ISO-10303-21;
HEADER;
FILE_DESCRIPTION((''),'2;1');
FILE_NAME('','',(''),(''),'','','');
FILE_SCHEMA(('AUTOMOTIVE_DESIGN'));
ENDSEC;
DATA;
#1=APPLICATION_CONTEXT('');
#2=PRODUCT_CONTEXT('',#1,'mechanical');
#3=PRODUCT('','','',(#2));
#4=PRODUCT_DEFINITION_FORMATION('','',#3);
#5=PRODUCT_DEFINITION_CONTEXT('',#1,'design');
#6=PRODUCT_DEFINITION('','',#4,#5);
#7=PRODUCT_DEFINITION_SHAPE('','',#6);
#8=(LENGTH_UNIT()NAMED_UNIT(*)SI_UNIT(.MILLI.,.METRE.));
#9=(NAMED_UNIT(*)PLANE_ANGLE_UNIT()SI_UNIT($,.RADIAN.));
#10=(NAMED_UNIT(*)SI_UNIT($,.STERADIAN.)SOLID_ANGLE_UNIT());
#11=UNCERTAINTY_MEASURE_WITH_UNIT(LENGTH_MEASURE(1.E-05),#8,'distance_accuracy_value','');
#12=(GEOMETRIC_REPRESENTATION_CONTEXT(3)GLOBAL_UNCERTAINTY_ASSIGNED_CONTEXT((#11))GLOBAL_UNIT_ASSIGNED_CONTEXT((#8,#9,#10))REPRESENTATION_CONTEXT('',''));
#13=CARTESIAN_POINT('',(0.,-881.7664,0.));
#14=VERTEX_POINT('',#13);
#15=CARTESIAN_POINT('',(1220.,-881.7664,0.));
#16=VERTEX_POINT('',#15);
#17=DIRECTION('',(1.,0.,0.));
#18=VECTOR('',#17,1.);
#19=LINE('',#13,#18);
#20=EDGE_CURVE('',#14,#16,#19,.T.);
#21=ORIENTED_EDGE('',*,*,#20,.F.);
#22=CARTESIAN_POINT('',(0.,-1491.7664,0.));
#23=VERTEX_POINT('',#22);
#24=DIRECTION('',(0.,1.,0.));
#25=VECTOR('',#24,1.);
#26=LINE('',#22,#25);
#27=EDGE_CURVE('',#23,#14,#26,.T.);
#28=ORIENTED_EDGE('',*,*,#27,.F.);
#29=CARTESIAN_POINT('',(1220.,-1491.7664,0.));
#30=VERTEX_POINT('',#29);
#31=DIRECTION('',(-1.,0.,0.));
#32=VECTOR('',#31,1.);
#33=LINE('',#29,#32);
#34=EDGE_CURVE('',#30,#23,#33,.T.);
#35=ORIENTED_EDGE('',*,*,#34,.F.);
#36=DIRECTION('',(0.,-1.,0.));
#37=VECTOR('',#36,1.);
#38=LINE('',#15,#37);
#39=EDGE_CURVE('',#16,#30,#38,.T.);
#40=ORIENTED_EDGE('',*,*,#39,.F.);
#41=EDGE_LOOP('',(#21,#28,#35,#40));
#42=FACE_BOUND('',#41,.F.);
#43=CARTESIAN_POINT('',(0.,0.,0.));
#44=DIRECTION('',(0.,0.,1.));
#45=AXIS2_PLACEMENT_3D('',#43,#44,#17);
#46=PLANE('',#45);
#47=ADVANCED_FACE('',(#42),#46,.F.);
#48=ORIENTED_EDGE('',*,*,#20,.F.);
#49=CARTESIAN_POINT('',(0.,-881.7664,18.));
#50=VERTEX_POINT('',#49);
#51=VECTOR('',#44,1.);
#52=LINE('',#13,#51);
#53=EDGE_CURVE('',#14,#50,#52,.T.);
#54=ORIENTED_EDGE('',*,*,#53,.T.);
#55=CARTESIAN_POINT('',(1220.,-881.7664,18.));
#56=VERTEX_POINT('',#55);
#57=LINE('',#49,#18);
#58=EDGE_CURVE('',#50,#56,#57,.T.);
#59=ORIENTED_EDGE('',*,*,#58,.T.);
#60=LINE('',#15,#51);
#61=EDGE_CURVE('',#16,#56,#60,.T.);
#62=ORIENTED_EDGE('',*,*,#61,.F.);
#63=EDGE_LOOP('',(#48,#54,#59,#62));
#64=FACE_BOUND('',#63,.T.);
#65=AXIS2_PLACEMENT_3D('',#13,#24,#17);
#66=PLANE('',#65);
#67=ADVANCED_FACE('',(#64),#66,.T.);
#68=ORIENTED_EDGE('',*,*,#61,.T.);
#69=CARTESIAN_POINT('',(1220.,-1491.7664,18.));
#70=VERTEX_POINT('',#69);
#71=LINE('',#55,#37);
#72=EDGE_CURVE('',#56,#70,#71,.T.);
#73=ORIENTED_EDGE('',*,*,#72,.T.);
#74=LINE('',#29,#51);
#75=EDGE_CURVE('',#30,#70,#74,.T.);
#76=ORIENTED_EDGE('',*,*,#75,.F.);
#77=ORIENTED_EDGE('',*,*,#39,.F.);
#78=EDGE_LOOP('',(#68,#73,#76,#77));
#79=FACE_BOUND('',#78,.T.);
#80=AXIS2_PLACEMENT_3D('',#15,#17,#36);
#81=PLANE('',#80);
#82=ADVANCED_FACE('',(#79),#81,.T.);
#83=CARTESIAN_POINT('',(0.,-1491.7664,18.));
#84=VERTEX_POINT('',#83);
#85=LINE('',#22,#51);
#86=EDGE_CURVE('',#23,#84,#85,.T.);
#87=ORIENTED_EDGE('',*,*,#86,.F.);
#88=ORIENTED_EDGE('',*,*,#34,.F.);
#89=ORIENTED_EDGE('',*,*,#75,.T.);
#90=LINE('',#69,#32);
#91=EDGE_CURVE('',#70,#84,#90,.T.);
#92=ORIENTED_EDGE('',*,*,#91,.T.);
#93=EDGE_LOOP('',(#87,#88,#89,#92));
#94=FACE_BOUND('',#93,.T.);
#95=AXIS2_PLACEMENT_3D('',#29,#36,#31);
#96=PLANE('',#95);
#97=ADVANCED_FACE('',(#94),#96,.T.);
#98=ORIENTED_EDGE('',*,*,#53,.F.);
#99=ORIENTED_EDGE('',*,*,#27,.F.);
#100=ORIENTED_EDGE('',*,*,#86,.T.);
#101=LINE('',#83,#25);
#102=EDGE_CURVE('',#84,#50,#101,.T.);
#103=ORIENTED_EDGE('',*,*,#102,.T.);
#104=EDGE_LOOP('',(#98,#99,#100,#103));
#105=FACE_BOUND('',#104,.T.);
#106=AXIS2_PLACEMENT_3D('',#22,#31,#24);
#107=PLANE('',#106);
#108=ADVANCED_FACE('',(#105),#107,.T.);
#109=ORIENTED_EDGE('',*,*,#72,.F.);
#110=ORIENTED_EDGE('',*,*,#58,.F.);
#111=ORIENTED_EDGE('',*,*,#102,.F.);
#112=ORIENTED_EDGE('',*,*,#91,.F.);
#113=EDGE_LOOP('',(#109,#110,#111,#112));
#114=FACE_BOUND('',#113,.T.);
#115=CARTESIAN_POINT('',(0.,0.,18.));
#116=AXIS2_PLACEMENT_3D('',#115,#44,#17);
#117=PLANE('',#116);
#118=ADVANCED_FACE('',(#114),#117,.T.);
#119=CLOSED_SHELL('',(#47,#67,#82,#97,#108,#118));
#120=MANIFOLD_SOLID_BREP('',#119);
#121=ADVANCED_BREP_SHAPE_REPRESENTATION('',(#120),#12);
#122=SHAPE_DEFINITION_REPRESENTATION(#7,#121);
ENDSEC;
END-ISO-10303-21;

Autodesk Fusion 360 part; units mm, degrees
sketch "C_omtrek" plane through (0, 0, 0) normal (0, 0, 1) x (1, 0, 0)
  line L0 (0, -881.7664) -> (1220, -881.7664)
  line L1 (1220, -881.7664) -> (1220, -1491.7664)
  line L2 (1220, -1491.7664) -> (0, -1491.7664)
  line L3 (0, -1491.7664) -> (0, -881.7664)
  dimension "d47" = 610
sketch "C_middle_holes" plane through (0, 0, 0) normal (0, 0, 1) x (1, 0, 0)
  line L0 (45, -1471.7664) -> (895, -1471.7664)
  line L1 (920, -1446.7664) -> (920, -926.7664)
  line L2 (895, -901.7664) -> (45, -901.7664)
  line L3 (20, -926.7664) -> (20, -1446.7664)
  arc A0 (20, -1446.7664) -> (45, -1471.7664) centre (45, -1446.7664) ccw
  arc A1 (45, -901.7664) -> (20, -926.7664) centre (45, -926.7664) ccw
  arc A2 (920, -926.7664) -> (895, -901.7664) centre (895, -926.7664) ccw
  arc A3 (895, -1471.7664) -> (920, -1446.7664) centre (895, -1446.7664) ccw
  line L4 (360, -1144.2664) -> (580, -1144.2664)
  line L5 (580, -1144.2664) -> (580, -1214.2664)
  line L6 (580, -1214.2664) -> (360, -1214.2664)
  line L7 (360, -1214.2664) -> (360, -1144.2664)
  line L8 (350, -1134.2664) -> (590, -1134.2664)
  line L9 (590, -1134.2664) -> (590, -1224.2664)
  line L10 (590, -1224.2664) -> (350, -1224.2664)
  line L11 (350, -1224.2664) -> (350, -1134.2664)
  circle A4 centre (280, -1179.2664) radius 48.25
  circle A5 centre (660, -1179.2664) radius 48.25
  line L12 (470, -1224.2664) -> (470, -1550) construction
  point P0 (20, -1471.7664)
  point P1 (920, -1471.7664)
  point P2 (20, -901.7664)
  dimension "d50" = 900
  dimension "d51" = 570
  dimension "d52" = 25
  dimension "d53" = 25
  dimension "d54" = 25
  dimension "d55" = 25
  dimension "d195" = -10
  dimension "d196" = 96.5
  dimension "d197" = 96.5
extrude "Extrude1" add sketch "C_omtrek" along normal blind 18
sketch "C_bottom_edge" plane through (0, 0, 0) normal (0, 0, 1) x (1, 0, 0)
  line L0 (178.8438, -1361.7664) -> (743.8334, -1361.7664)
  line L1 (155.3514, -1378.2159) -> (121.3018, -1471.7664)
  arc A0 (178.8438, -1361.7664) -> (155.3514, -1378.2159) centre (178.8438, -1386.7664) ccw
  arc A1 (767.3257, -1378.2159) -> (743.8334, -1361.7664) centre (743.8334, -1386.7664) ccw
  line L2 (767.3257, -1378.2159) -> (801.3753, -1471.7664)
  line L3 (121.3018, -1471.7664) -> (801.3753, -1471.7664)
  dimension "d188" = 25
  dimension "d177" = 25
  dimension "d178" = 25
sketch "C_bottom_holes" plane through (0, 0, 0) normal (0, 0, 1) x (1, 0, 0)
  circle A0 centre (246.75, -1438.2664) radius 15
  circle A1 centre (693.25, -1438.2664) radius 15
  line L0 (305.75, -1415.6268) -> (325.75, -1415.6268)
  line L1 (328.25, -1418.1268) -> (328.25, -1435.918)
  line L2 (325.75, -1438.418) -> (305.75, -1438.418)
  line L3 (303.25, -1435.918) -> (303.25, -1418.1268)
  arc A2 (328.25, -1418.1268) -> (325.75, -1415.6268) centre (325.75, -1418.1268) ccw
  arc A3 (305.75, -1415.6268) -> (303.25, -1418.1268) centre (305.75, -1418.1268) ccw
  arc A4 (303.25, -1435.918) -> (305.75, -1438.418) centre (305.75, -1435.918) ccw
  arc A5 (325.75, -1438.418) -> (328.25, -1435.918) centre (325.75, -1435.918) ccw
  arc A6 (634.25, -1438.418) -> (636.75, -1435.918) centre (634.25, -1435.918) ccw
  arc A7 (611.75, -1435.918) -> (614.25, -1438.418) centre (614.25, -1435.918) ccw
  arc A8 (636.75, -1418.1268) -> (634.25, -1415.6268) centre (634.25, -1418.1268) ccw
  arc A9 (614.25, -1415.6268) -> (611.75, -1418.1268) centre (614.25, -1418.1268) ccw
  line L4 (614.25, -1415.6268) -> (634.25, -1415.6268)
  line L5 (611.75, -1435.918) -> (611.75, -1418.1268)
  line L6 (634.25, -1438.418) -> (614.25, -1438.418)
  line L7 (636.75, -1418.1268) -> (636.75, -1435.918)
  point P0 (660, -1179.2664)
  point P1 (303.25, -1415.6268)
  point P2 (328.25, -1415.6268)
  point P3 (636.75, -1415.6268)
  point P4 (611.75, -1415.6268)
  dimension "d206" = 30
  dimension "d207" = 30
  dimension "d208" = 25
  dimension "d210" = 2.5
  dimension "d211" = 2.5
  dimension "d212" = 2.5
  dimension "d213" = 2.5
  dimension "d214" = 25
  dimension "d215" = 2.5
  dimension "d216" = 2.5
  dimension "d217" = 2.5
  dimension "d218" = 2.5
sketch "Lasercutter_3mm" plane through (0, 0, 0) normal (0, 0, 1) x (1, 0, 0)
  line L0 (580, -1144.2664) -> (580, -1214.2664)
  line L1 (895, -901.7664) -> (45, -901.7664)
  arc A0 (895, -1471.7664) -> (920, -1446.7664) centre (895, -1446.7664) ccw
  arc A1 (920, -926.7664) -> (895, -901.7664) centre (895, -926.7664) ccw
  circle A2 centre (660, -1179.2664) radius 48.25
  line L2 (360, -1144.2664) -> (580, -1144.2664)
  line L3 (920, -1446.7664) -> (920, -926.7664)
  line L4 (20, -926.7664) -> (20, -1446.7664)
  arc A3 (45, -901.7664) -> (20, -926.7664) centre (45, -926.7664) ccw
  line L5 (580, -1214.2664) -> (360, -1214.2664)
  arc A4 (20, -1446.7664) -> (45, -1471.7664) centre (45, -1446.7664) ccw
  circle A5 centre (280, -1179.2664) radius 48.25
  line L6 (360, -1214.2664) -> (360, -1144.2664)
  point P0 (660, -1179.2664)
  dimension "d219" = -10
  dimension "d222" = 25
  dimension "d223" = 25
  dimension "d224" = 25
  dimension "d225" = 25
  dimension "d226" = 96.5
  dimension "d227" = 96.5
sketch "Lasercutter_5mm" plane through (0, 0, 0) normal (0, 0, 1) x (1, 0, 0)
  line L0 (636.75, -1418.1268) -> (636.75, -1435.918)
  line L1 (611.75, -1435.918) -> (611.75, -1418.1268)
  arc A0 (611.75, -1435.918) -> (614.25, -1438.418) centre (614.25, -1435.918) ccw
  arc A1 (614.25, -1415.6268) -> (611.75, -1418.1268) centre (614.25, -1418.1268) ccw
  line L2 (328.25, -1418.1268) -> (328.25, -1435.918)
  line L3 (303.25, -1435.918) -> (303.25, -1418.1268)
  arc A2 (303.25, -1435.918) -> (305.75, -1438.418) centre (305.75, -1435.918) ccw
  arc A3 (305.75, -1415.6268) -> (303.25, -1418.1268) centre (305.75, -1418.1268) ccw
  circle A4 centre (246.75, -1438.2664) radius 15
  arc A5 (636.75, -1418.1268) -> (634.25, -1415.6268) centre (634.25, -1418.1268) ccw
  line L4 (325.75, -1438.418) -> (305.75, -1438.418)
  arc A6 (634.25, -1438.418) -> (636.75, -1435.918) centre (634.25, -1435.918) ccw
  line L5 (614.25, -1415.6268) -> (634.25, -1415.6268)
  line L6 (130.4954, -1471.7664) -> (809.5046, -1471.7664)
  line L7 (634.25, -1438.418) -> (614.25, -1438.418)
  circle A7 centre (693.25, -1438.2664) radius 15
  arc A8 (328.25, -1418.1268) -> (325.75, -1415.6268) centre (325.75, -1418.1268) ccw
  arc A9 (325.75, -1438.418) -> (328.25, -1435.918) centre (325.75, -1435.918) ccw
  line L8 (305.75, -1415.6268) -> (325.75, -1415.6268)
  arc A10 (775.5173, -1378.3869) -> (752.4948, -1362.2664) centre (752.4948, -1386.7664) ccw
  line L9 (187.5052, -1362.2664) -> (752.4948, -1362.2664)
  arc A11 (187.5052, -1362.2664) -> (164.4827, -1378.3869) centre (187.5052, -1386.7664) ccw
  line L10 (164.4827, -1378.3869) -> (130.4954, -1471.7664)
  line L11 (775.5173, -1378.3869) -> (809.5046, -1471.7664)
  dimension "d252" = 30
  dimension "d253" = 30
  dimension "d255" = 2.5
  dimension "d256" = 2.5
  dimension "d257" = 2.5
  dimension "d258" = 2.5
  dimension "d260" = 2.5
  dimension "d261" = 2.5
  dimension "d262" = 2.5
  dimension "d263" = 2.5
sketch "Sketch22" plane through (0, 0, 0) normal (0, 0, 1) x (1, 0, 0)
